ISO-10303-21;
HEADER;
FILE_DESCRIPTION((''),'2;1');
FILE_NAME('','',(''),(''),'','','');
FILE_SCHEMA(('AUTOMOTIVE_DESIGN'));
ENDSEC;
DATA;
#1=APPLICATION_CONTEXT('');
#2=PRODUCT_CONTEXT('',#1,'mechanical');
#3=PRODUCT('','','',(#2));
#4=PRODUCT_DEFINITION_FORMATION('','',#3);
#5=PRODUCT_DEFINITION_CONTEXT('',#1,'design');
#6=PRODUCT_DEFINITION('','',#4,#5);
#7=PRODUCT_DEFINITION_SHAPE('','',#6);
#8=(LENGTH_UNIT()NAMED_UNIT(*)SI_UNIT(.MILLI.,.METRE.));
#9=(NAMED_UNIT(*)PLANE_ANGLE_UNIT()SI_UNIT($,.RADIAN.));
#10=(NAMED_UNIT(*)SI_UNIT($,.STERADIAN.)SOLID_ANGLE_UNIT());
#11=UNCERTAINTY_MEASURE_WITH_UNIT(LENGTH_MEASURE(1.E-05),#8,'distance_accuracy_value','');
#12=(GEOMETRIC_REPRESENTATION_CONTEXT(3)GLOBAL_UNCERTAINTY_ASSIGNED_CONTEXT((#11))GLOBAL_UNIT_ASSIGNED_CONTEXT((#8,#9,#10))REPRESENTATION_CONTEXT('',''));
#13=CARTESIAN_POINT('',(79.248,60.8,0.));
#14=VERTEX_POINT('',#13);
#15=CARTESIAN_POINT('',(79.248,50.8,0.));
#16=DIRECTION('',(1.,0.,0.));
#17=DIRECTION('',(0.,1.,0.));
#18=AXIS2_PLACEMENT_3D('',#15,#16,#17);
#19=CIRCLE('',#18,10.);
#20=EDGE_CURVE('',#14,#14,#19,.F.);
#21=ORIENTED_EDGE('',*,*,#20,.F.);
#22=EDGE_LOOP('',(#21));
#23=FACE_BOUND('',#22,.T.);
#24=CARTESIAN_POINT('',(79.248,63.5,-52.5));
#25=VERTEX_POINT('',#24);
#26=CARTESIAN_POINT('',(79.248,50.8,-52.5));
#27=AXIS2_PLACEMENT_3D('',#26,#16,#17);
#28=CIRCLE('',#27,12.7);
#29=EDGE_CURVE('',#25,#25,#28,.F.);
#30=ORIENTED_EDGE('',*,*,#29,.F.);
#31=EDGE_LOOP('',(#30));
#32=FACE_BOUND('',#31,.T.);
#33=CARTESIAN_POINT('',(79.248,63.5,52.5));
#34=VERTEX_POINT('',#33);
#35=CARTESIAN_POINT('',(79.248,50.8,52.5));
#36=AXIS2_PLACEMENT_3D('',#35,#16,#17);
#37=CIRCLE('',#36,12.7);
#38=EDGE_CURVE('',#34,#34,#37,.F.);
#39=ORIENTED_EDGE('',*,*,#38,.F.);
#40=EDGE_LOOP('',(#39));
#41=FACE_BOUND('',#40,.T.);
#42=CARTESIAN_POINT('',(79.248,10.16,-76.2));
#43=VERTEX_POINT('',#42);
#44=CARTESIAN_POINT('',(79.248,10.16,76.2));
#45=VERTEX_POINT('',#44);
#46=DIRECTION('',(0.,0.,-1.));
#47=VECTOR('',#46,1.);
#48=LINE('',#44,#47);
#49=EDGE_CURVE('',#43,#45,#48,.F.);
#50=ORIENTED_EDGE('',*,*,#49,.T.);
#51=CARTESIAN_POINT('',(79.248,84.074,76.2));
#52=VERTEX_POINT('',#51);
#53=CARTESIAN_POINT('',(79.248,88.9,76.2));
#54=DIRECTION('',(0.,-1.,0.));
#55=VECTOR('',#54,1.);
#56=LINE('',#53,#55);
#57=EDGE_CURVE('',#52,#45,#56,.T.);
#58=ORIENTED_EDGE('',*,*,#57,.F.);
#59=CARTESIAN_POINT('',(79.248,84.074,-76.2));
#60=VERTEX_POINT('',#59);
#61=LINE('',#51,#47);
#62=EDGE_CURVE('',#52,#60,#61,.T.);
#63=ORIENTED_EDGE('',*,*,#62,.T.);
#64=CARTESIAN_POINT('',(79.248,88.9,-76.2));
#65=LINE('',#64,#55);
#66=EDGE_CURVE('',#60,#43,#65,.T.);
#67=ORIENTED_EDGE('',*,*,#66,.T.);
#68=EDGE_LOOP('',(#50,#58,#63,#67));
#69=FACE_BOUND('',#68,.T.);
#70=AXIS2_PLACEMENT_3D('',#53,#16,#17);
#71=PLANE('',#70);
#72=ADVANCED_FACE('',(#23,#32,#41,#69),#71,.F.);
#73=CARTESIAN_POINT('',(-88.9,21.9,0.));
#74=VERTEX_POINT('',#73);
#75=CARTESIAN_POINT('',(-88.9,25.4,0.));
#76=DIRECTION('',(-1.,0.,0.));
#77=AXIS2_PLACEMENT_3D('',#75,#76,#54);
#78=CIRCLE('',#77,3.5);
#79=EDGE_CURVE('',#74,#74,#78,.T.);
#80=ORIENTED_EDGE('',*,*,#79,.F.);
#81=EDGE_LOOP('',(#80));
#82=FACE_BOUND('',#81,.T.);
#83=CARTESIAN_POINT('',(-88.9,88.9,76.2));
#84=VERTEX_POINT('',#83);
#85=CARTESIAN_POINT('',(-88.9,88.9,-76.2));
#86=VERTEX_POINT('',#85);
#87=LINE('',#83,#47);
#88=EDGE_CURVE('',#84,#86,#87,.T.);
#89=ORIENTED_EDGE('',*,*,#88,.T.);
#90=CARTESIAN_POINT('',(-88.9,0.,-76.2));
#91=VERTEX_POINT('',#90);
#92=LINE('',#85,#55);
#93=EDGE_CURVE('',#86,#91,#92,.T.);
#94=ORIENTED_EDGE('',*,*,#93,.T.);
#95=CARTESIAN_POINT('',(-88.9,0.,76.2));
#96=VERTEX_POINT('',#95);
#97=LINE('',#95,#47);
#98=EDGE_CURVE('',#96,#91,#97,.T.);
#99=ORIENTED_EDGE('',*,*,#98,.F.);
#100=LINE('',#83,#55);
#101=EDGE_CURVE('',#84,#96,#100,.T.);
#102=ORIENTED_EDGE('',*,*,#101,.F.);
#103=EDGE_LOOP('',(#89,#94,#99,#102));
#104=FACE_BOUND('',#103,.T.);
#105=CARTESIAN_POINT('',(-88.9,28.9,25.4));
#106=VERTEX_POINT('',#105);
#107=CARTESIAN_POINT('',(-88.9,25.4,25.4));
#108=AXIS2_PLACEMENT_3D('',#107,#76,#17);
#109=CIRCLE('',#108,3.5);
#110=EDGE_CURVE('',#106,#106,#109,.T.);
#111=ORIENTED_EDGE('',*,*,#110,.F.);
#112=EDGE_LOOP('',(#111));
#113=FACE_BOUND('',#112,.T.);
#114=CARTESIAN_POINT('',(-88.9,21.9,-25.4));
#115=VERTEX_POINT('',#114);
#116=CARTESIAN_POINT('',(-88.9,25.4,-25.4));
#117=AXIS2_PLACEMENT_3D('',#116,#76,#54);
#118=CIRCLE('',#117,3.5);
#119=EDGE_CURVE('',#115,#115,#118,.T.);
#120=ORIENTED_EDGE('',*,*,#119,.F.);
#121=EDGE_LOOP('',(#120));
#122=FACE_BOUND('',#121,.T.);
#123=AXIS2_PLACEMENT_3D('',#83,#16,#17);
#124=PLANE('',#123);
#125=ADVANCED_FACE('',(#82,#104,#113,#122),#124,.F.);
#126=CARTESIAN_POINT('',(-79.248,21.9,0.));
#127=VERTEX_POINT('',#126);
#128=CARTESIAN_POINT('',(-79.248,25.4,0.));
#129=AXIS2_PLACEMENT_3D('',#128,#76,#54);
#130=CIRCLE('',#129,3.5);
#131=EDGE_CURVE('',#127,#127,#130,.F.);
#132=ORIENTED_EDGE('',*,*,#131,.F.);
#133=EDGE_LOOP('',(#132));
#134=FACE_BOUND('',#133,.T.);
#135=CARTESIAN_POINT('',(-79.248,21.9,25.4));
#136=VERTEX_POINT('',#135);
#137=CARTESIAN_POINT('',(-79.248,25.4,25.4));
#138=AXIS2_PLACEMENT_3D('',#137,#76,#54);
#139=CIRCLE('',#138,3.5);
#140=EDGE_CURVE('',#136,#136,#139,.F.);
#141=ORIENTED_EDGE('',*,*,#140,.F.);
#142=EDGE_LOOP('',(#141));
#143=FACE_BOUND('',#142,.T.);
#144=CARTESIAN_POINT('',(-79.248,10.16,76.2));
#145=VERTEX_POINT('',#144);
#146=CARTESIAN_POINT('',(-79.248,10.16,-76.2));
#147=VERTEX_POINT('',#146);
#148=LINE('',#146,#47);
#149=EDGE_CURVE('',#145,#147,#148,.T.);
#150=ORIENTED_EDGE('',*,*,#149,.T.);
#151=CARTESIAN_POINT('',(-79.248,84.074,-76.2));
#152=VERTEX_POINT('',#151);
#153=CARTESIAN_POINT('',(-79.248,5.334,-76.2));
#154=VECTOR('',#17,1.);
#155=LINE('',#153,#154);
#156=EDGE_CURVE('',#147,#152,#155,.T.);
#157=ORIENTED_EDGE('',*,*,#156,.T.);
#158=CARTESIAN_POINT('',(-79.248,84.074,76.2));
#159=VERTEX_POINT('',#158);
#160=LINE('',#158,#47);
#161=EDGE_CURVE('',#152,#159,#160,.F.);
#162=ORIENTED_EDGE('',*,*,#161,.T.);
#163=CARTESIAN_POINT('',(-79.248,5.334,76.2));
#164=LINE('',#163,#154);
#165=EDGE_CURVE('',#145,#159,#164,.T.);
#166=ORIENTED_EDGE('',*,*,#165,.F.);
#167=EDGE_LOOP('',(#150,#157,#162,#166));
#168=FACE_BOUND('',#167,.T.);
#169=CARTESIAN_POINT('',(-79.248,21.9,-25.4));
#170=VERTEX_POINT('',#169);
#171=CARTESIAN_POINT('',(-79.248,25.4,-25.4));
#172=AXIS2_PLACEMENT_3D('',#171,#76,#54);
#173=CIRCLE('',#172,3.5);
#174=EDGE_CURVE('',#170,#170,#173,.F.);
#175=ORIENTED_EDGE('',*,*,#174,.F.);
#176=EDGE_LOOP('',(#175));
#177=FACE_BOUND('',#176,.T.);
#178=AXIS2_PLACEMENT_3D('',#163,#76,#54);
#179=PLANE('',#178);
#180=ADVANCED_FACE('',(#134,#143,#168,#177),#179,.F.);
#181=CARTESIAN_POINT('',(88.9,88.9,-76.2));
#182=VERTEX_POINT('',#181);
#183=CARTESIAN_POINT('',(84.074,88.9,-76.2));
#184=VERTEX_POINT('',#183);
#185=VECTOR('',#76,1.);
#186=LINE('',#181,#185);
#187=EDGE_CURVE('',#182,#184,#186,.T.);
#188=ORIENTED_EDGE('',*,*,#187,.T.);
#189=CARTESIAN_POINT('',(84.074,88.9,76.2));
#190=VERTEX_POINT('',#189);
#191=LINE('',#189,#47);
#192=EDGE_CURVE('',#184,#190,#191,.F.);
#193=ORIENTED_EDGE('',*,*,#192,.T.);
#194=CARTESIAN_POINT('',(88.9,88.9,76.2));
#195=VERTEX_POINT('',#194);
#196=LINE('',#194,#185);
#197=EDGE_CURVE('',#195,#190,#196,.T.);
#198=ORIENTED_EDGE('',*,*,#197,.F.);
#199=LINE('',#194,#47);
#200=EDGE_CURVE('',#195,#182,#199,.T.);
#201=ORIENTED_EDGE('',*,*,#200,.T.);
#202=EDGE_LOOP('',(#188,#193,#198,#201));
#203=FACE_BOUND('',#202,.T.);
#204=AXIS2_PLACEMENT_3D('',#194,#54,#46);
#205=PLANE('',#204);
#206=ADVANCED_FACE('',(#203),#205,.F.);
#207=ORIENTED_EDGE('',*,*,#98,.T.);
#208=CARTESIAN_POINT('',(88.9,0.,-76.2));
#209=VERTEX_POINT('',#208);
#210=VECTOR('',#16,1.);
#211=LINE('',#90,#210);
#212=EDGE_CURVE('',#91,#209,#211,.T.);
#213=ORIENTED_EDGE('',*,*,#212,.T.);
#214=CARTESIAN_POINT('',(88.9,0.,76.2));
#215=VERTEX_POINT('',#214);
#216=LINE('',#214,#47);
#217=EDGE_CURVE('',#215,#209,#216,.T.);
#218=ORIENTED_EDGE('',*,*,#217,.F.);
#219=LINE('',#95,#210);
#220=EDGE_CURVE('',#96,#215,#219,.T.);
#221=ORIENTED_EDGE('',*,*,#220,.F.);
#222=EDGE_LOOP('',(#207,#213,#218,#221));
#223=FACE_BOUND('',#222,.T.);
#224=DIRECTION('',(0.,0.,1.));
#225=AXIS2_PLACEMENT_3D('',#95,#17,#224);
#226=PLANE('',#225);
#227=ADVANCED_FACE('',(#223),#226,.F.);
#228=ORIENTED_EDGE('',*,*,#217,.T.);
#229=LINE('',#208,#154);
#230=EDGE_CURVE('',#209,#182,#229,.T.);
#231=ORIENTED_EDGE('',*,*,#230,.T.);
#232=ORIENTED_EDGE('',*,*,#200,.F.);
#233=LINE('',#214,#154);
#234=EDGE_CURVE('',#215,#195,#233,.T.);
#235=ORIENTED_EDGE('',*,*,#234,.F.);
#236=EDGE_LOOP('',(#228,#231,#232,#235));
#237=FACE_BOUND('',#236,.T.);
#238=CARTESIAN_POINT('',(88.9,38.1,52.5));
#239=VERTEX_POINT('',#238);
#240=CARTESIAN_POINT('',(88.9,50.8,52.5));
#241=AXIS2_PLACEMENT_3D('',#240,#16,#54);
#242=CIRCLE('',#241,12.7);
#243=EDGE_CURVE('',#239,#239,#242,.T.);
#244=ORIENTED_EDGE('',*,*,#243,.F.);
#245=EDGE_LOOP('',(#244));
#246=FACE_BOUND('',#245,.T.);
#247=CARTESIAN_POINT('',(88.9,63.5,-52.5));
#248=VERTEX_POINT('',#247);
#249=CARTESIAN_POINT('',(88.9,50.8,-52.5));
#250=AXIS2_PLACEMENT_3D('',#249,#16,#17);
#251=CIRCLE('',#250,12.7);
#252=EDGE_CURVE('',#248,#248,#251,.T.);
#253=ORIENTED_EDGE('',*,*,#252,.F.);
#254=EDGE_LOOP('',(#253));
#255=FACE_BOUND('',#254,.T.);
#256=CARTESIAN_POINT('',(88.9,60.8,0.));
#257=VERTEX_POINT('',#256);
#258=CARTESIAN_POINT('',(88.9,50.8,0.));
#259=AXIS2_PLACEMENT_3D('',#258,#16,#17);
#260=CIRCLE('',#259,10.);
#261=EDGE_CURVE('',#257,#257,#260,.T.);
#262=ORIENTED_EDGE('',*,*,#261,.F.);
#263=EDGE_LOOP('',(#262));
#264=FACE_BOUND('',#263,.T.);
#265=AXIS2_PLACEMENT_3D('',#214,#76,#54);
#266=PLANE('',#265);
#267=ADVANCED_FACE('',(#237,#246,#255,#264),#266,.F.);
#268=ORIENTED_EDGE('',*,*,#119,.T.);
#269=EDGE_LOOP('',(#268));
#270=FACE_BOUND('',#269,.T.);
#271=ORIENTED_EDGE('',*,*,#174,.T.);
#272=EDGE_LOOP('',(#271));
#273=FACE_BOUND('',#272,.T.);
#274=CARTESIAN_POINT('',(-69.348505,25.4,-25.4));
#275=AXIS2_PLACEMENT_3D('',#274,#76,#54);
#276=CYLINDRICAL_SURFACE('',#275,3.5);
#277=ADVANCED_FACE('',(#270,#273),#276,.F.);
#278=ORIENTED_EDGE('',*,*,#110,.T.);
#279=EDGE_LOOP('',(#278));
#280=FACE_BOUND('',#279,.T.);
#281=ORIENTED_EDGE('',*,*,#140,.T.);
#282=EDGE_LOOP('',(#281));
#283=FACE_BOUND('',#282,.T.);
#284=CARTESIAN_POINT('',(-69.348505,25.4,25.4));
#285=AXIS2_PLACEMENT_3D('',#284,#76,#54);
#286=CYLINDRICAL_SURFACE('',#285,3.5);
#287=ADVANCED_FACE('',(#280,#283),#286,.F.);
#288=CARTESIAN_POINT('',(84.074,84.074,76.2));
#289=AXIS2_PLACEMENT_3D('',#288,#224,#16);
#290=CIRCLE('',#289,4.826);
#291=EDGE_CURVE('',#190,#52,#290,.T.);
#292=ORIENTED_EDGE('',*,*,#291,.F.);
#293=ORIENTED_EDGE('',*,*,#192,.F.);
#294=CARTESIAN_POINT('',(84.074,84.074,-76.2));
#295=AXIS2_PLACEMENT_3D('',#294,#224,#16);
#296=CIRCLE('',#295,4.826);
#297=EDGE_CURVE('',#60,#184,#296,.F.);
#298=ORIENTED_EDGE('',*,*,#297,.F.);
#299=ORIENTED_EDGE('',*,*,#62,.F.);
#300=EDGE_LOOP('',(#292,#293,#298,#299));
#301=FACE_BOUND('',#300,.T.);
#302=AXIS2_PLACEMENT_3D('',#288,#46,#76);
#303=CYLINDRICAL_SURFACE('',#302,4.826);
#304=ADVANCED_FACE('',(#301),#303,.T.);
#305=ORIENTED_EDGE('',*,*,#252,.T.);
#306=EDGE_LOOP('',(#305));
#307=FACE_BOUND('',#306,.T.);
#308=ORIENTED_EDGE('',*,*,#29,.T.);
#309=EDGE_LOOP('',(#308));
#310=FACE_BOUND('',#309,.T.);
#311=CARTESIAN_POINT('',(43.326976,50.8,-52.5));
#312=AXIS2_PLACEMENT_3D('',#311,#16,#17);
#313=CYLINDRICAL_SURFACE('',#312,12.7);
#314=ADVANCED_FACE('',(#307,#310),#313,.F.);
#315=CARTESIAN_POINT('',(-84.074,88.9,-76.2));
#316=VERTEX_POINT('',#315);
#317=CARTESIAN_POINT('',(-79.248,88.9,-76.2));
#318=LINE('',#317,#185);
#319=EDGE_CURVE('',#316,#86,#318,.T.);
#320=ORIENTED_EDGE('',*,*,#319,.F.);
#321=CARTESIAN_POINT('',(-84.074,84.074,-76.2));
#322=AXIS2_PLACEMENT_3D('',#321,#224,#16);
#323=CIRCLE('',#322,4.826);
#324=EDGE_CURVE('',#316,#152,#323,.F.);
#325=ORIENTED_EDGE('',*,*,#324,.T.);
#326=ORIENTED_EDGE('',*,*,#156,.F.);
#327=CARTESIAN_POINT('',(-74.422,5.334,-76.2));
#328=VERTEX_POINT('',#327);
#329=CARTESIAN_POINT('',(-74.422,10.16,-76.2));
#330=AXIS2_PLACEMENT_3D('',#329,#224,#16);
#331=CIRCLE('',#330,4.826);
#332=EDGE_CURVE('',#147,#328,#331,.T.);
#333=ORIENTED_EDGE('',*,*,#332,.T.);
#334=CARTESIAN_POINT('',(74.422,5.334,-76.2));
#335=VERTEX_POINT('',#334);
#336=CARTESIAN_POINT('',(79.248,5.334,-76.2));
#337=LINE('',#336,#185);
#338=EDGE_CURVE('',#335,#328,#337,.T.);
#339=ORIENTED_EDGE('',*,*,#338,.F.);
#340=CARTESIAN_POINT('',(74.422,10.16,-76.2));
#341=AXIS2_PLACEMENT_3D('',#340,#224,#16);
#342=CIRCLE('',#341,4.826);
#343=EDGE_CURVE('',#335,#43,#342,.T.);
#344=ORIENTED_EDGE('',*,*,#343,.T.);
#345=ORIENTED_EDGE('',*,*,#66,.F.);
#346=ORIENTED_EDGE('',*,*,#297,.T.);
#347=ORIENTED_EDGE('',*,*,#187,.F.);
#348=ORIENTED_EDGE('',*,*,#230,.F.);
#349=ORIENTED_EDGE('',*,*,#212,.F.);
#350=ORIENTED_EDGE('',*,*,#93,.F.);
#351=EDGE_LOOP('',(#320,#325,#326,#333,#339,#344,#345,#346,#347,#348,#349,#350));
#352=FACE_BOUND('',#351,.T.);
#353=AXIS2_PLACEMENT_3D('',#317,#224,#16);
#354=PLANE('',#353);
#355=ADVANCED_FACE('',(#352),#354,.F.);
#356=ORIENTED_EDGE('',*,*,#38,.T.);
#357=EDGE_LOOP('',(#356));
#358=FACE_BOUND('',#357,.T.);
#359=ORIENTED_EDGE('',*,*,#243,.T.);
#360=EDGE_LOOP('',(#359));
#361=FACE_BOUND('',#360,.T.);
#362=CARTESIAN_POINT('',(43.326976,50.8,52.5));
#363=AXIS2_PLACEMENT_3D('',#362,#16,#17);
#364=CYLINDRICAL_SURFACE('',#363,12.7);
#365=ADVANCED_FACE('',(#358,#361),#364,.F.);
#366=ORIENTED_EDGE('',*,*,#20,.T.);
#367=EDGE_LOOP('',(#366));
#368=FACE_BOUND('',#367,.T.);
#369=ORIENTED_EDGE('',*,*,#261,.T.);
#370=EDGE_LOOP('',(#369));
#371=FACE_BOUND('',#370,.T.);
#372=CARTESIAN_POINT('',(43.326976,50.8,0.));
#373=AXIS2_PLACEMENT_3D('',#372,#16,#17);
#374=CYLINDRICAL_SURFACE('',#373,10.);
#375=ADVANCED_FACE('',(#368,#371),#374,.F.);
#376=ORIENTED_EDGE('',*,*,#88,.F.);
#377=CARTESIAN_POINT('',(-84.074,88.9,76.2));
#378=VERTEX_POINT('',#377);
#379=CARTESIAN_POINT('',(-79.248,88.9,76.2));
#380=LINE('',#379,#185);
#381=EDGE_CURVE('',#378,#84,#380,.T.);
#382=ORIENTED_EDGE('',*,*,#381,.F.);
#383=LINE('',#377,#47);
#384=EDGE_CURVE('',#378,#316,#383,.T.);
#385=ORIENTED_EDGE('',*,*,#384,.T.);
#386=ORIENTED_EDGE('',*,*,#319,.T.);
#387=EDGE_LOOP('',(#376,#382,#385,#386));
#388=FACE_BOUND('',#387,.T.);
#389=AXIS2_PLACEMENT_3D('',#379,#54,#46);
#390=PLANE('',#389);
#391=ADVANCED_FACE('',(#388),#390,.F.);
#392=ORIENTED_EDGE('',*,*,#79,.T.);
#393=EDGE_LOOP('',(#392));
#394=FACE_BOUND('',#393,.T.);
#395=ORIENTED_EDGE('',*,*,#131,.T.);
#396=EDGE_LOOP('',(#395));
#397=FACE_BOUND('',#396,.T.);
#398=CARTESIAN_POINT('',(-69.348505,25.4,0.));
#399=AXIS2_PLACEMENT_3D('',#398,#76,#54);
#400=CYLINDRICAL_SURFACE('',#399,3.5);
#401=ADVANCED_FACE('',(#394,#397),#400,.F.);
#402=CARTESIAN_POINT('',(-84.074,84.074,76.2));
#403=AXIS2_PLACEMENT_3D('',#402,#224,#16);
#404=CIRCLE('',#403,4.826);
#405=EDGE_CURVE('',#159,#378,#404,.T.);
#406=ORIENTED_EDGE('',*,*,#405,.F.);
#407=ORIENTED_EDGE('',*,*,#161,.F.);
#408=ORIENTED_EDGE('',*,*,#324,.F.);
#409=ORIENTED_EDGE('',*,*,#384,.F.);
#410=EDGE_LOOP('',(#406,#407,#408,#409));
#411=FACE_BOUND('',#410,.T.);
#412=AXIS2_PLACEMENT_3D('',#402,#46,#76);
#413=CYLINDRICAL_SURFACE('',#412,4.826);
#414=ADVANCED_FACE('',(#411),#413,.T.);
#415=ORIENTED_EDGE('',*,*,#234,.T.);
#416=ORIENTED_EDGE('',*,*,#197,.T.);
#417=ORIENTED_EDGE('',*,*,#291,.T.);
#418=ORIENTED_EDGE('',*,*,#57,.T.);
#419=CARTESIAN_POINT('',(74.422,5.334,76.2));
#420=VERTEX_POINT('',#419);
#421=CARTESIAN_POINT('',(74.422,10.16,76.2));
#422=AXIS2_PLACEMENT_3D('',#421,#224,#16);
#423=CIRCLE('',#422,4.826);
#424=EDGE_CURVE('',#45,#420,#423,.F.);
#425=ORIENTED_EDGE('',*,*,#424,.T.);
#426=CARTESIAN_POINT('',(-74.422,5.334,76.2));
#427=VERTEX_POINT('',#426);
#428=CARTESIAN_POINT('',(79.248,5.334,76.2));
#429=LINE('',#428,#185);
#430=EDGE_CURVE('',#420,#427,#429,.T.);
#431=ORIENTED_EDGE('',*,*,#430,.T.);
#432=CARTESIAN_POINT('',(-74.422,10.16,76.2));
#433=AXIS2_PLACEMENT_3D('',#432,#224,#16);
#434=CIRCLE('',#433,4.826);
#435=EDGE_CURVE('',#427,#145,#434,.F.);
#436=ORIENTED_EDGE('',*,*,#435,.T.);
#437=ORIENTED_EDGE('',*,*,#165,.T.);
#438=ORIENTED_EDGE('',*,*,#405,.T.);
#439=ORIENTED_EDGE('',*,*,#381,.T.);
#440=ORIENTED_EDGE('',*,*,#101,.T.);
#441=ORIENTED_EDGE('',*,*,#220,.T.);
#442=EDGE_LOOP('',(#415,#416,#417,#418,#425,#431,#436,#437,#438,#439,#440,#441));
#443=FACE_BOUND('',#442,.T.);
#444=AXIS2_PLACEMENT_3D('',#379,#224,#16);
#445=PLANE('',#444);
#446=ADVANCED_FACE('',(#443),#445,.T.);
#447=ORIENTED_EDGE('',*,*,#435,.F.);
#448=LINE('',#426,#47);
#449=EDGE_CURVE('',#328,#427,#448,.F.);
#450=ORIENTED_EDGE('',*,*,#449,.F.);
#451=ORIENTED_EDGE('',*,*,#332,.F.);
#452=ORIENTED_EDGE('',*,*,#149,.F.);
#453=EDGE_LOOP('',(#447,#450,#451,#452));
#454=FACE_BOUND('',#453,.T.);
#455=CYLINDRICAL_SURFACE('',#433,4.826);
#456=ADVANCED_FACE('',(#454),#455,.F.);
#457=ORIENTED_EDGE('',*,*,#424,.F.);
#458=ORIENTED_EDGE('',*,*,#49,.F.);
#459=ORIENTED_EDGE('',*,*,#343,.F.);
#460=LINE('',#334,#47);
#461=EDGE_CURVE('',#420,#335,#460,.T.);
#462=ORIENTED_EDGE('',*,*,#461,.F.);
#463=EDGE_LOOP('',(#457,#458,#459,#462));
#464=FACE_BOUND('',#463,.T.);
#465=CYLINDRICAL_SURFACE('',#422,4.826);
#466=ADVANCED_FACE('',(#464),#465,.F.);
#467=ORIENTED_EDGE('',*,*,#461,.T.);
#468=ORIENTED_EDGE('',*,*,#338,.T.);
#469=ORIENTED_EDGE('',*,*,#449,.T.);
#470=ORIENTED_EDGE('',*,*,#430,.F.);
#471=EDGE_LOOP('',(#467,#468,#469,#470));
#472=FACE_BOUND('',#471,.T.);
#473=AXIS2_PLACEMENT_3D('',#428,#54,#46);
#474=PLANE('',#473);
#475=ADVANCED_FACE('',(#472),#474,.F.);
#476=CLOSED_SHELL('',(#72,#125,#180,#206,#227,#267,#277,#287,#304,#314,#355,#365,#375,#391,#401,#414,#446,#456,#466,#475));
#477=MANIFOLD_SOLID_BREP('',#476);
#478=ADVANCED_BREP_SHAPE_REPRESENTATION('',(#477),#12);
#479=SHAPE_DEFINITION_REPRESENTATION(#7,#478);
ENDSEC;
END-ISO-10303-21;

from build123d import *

# Parameters (mm, degrees)
BOSS_EXTRUDE1_DEPTH = 76.2
FILLET1_R           = 4.826
SKETCH2_R           = 12.7
SKETCH2_R_2         = 10
CUT_EXTRUDE1_DEPTH  = 9.652
SKETCH3_R           = 3.5
CUT_EXTRUDE2_DEPTH  = 9.652


with BuildPart() as part:
    # Sketch1 → Boss-Extrude1 (new body, symmetric)
    with BuildSketch(Plane.XY):
        Polygon((-79.248, 88.9), (-88.9, 88.9), (-88.9, 0), (88.9, 0), (88.9, 88.9), (79.248, 88.9), (79.248, 5.334), (-79.248, 5.334), align=None)
    extrude(amount=BOSS_EXTRUDE1_DEPTH, both=True)

    # Fillet1
    fillet1_edges = [part.edges().sort_by_distance(p)[0] for p in [
        (-79.248, 5.334, 0),
        (79.248, 5.334, 0),
        (79.248, 88.9, 0),
        (-79.248, 88.9, 0),
    ]]
    fillet(fillet1_edges, radius=FILLET1_R)

    # Sketch2 → Cut-Extrude1 (cut)
    with BuildSketch(Plane(origin=(88.9, 0, 0), x_dir=(0, 0, -1), z_dir=(1, 0, 0))):
        with Locations((52.5, 50.8)):
            Circle(SKETCH2_R)
        with Locations((-52.5, 50.8)):
            Circle(SKETCH2_R)
        with Locations((0, 50.8)):
            Circle(SKETCH2_R_2)
    extrude(amount=-CUT_EXTRUDE1_DEPTH, mode=Mode.SUBTRACT)

    # Sketch3 → Cut-Extrude2 (cut)
    with BuildSketch(Plane.ZY.offset(88.9)):
        with Locations((-25.4, 25.4)):
            Circle(SKETCH3_R)
        with Locations((25.4, 25.4)):
            Circle(SKETCH3_R)
        with Locations((0, 25.4)):
            Circle(SKETCH3_R)
    extrude(amount=-CUT_EXTRUDE2_DEPTH, mode=Mode.SUBTRACT)


solid = part.part
